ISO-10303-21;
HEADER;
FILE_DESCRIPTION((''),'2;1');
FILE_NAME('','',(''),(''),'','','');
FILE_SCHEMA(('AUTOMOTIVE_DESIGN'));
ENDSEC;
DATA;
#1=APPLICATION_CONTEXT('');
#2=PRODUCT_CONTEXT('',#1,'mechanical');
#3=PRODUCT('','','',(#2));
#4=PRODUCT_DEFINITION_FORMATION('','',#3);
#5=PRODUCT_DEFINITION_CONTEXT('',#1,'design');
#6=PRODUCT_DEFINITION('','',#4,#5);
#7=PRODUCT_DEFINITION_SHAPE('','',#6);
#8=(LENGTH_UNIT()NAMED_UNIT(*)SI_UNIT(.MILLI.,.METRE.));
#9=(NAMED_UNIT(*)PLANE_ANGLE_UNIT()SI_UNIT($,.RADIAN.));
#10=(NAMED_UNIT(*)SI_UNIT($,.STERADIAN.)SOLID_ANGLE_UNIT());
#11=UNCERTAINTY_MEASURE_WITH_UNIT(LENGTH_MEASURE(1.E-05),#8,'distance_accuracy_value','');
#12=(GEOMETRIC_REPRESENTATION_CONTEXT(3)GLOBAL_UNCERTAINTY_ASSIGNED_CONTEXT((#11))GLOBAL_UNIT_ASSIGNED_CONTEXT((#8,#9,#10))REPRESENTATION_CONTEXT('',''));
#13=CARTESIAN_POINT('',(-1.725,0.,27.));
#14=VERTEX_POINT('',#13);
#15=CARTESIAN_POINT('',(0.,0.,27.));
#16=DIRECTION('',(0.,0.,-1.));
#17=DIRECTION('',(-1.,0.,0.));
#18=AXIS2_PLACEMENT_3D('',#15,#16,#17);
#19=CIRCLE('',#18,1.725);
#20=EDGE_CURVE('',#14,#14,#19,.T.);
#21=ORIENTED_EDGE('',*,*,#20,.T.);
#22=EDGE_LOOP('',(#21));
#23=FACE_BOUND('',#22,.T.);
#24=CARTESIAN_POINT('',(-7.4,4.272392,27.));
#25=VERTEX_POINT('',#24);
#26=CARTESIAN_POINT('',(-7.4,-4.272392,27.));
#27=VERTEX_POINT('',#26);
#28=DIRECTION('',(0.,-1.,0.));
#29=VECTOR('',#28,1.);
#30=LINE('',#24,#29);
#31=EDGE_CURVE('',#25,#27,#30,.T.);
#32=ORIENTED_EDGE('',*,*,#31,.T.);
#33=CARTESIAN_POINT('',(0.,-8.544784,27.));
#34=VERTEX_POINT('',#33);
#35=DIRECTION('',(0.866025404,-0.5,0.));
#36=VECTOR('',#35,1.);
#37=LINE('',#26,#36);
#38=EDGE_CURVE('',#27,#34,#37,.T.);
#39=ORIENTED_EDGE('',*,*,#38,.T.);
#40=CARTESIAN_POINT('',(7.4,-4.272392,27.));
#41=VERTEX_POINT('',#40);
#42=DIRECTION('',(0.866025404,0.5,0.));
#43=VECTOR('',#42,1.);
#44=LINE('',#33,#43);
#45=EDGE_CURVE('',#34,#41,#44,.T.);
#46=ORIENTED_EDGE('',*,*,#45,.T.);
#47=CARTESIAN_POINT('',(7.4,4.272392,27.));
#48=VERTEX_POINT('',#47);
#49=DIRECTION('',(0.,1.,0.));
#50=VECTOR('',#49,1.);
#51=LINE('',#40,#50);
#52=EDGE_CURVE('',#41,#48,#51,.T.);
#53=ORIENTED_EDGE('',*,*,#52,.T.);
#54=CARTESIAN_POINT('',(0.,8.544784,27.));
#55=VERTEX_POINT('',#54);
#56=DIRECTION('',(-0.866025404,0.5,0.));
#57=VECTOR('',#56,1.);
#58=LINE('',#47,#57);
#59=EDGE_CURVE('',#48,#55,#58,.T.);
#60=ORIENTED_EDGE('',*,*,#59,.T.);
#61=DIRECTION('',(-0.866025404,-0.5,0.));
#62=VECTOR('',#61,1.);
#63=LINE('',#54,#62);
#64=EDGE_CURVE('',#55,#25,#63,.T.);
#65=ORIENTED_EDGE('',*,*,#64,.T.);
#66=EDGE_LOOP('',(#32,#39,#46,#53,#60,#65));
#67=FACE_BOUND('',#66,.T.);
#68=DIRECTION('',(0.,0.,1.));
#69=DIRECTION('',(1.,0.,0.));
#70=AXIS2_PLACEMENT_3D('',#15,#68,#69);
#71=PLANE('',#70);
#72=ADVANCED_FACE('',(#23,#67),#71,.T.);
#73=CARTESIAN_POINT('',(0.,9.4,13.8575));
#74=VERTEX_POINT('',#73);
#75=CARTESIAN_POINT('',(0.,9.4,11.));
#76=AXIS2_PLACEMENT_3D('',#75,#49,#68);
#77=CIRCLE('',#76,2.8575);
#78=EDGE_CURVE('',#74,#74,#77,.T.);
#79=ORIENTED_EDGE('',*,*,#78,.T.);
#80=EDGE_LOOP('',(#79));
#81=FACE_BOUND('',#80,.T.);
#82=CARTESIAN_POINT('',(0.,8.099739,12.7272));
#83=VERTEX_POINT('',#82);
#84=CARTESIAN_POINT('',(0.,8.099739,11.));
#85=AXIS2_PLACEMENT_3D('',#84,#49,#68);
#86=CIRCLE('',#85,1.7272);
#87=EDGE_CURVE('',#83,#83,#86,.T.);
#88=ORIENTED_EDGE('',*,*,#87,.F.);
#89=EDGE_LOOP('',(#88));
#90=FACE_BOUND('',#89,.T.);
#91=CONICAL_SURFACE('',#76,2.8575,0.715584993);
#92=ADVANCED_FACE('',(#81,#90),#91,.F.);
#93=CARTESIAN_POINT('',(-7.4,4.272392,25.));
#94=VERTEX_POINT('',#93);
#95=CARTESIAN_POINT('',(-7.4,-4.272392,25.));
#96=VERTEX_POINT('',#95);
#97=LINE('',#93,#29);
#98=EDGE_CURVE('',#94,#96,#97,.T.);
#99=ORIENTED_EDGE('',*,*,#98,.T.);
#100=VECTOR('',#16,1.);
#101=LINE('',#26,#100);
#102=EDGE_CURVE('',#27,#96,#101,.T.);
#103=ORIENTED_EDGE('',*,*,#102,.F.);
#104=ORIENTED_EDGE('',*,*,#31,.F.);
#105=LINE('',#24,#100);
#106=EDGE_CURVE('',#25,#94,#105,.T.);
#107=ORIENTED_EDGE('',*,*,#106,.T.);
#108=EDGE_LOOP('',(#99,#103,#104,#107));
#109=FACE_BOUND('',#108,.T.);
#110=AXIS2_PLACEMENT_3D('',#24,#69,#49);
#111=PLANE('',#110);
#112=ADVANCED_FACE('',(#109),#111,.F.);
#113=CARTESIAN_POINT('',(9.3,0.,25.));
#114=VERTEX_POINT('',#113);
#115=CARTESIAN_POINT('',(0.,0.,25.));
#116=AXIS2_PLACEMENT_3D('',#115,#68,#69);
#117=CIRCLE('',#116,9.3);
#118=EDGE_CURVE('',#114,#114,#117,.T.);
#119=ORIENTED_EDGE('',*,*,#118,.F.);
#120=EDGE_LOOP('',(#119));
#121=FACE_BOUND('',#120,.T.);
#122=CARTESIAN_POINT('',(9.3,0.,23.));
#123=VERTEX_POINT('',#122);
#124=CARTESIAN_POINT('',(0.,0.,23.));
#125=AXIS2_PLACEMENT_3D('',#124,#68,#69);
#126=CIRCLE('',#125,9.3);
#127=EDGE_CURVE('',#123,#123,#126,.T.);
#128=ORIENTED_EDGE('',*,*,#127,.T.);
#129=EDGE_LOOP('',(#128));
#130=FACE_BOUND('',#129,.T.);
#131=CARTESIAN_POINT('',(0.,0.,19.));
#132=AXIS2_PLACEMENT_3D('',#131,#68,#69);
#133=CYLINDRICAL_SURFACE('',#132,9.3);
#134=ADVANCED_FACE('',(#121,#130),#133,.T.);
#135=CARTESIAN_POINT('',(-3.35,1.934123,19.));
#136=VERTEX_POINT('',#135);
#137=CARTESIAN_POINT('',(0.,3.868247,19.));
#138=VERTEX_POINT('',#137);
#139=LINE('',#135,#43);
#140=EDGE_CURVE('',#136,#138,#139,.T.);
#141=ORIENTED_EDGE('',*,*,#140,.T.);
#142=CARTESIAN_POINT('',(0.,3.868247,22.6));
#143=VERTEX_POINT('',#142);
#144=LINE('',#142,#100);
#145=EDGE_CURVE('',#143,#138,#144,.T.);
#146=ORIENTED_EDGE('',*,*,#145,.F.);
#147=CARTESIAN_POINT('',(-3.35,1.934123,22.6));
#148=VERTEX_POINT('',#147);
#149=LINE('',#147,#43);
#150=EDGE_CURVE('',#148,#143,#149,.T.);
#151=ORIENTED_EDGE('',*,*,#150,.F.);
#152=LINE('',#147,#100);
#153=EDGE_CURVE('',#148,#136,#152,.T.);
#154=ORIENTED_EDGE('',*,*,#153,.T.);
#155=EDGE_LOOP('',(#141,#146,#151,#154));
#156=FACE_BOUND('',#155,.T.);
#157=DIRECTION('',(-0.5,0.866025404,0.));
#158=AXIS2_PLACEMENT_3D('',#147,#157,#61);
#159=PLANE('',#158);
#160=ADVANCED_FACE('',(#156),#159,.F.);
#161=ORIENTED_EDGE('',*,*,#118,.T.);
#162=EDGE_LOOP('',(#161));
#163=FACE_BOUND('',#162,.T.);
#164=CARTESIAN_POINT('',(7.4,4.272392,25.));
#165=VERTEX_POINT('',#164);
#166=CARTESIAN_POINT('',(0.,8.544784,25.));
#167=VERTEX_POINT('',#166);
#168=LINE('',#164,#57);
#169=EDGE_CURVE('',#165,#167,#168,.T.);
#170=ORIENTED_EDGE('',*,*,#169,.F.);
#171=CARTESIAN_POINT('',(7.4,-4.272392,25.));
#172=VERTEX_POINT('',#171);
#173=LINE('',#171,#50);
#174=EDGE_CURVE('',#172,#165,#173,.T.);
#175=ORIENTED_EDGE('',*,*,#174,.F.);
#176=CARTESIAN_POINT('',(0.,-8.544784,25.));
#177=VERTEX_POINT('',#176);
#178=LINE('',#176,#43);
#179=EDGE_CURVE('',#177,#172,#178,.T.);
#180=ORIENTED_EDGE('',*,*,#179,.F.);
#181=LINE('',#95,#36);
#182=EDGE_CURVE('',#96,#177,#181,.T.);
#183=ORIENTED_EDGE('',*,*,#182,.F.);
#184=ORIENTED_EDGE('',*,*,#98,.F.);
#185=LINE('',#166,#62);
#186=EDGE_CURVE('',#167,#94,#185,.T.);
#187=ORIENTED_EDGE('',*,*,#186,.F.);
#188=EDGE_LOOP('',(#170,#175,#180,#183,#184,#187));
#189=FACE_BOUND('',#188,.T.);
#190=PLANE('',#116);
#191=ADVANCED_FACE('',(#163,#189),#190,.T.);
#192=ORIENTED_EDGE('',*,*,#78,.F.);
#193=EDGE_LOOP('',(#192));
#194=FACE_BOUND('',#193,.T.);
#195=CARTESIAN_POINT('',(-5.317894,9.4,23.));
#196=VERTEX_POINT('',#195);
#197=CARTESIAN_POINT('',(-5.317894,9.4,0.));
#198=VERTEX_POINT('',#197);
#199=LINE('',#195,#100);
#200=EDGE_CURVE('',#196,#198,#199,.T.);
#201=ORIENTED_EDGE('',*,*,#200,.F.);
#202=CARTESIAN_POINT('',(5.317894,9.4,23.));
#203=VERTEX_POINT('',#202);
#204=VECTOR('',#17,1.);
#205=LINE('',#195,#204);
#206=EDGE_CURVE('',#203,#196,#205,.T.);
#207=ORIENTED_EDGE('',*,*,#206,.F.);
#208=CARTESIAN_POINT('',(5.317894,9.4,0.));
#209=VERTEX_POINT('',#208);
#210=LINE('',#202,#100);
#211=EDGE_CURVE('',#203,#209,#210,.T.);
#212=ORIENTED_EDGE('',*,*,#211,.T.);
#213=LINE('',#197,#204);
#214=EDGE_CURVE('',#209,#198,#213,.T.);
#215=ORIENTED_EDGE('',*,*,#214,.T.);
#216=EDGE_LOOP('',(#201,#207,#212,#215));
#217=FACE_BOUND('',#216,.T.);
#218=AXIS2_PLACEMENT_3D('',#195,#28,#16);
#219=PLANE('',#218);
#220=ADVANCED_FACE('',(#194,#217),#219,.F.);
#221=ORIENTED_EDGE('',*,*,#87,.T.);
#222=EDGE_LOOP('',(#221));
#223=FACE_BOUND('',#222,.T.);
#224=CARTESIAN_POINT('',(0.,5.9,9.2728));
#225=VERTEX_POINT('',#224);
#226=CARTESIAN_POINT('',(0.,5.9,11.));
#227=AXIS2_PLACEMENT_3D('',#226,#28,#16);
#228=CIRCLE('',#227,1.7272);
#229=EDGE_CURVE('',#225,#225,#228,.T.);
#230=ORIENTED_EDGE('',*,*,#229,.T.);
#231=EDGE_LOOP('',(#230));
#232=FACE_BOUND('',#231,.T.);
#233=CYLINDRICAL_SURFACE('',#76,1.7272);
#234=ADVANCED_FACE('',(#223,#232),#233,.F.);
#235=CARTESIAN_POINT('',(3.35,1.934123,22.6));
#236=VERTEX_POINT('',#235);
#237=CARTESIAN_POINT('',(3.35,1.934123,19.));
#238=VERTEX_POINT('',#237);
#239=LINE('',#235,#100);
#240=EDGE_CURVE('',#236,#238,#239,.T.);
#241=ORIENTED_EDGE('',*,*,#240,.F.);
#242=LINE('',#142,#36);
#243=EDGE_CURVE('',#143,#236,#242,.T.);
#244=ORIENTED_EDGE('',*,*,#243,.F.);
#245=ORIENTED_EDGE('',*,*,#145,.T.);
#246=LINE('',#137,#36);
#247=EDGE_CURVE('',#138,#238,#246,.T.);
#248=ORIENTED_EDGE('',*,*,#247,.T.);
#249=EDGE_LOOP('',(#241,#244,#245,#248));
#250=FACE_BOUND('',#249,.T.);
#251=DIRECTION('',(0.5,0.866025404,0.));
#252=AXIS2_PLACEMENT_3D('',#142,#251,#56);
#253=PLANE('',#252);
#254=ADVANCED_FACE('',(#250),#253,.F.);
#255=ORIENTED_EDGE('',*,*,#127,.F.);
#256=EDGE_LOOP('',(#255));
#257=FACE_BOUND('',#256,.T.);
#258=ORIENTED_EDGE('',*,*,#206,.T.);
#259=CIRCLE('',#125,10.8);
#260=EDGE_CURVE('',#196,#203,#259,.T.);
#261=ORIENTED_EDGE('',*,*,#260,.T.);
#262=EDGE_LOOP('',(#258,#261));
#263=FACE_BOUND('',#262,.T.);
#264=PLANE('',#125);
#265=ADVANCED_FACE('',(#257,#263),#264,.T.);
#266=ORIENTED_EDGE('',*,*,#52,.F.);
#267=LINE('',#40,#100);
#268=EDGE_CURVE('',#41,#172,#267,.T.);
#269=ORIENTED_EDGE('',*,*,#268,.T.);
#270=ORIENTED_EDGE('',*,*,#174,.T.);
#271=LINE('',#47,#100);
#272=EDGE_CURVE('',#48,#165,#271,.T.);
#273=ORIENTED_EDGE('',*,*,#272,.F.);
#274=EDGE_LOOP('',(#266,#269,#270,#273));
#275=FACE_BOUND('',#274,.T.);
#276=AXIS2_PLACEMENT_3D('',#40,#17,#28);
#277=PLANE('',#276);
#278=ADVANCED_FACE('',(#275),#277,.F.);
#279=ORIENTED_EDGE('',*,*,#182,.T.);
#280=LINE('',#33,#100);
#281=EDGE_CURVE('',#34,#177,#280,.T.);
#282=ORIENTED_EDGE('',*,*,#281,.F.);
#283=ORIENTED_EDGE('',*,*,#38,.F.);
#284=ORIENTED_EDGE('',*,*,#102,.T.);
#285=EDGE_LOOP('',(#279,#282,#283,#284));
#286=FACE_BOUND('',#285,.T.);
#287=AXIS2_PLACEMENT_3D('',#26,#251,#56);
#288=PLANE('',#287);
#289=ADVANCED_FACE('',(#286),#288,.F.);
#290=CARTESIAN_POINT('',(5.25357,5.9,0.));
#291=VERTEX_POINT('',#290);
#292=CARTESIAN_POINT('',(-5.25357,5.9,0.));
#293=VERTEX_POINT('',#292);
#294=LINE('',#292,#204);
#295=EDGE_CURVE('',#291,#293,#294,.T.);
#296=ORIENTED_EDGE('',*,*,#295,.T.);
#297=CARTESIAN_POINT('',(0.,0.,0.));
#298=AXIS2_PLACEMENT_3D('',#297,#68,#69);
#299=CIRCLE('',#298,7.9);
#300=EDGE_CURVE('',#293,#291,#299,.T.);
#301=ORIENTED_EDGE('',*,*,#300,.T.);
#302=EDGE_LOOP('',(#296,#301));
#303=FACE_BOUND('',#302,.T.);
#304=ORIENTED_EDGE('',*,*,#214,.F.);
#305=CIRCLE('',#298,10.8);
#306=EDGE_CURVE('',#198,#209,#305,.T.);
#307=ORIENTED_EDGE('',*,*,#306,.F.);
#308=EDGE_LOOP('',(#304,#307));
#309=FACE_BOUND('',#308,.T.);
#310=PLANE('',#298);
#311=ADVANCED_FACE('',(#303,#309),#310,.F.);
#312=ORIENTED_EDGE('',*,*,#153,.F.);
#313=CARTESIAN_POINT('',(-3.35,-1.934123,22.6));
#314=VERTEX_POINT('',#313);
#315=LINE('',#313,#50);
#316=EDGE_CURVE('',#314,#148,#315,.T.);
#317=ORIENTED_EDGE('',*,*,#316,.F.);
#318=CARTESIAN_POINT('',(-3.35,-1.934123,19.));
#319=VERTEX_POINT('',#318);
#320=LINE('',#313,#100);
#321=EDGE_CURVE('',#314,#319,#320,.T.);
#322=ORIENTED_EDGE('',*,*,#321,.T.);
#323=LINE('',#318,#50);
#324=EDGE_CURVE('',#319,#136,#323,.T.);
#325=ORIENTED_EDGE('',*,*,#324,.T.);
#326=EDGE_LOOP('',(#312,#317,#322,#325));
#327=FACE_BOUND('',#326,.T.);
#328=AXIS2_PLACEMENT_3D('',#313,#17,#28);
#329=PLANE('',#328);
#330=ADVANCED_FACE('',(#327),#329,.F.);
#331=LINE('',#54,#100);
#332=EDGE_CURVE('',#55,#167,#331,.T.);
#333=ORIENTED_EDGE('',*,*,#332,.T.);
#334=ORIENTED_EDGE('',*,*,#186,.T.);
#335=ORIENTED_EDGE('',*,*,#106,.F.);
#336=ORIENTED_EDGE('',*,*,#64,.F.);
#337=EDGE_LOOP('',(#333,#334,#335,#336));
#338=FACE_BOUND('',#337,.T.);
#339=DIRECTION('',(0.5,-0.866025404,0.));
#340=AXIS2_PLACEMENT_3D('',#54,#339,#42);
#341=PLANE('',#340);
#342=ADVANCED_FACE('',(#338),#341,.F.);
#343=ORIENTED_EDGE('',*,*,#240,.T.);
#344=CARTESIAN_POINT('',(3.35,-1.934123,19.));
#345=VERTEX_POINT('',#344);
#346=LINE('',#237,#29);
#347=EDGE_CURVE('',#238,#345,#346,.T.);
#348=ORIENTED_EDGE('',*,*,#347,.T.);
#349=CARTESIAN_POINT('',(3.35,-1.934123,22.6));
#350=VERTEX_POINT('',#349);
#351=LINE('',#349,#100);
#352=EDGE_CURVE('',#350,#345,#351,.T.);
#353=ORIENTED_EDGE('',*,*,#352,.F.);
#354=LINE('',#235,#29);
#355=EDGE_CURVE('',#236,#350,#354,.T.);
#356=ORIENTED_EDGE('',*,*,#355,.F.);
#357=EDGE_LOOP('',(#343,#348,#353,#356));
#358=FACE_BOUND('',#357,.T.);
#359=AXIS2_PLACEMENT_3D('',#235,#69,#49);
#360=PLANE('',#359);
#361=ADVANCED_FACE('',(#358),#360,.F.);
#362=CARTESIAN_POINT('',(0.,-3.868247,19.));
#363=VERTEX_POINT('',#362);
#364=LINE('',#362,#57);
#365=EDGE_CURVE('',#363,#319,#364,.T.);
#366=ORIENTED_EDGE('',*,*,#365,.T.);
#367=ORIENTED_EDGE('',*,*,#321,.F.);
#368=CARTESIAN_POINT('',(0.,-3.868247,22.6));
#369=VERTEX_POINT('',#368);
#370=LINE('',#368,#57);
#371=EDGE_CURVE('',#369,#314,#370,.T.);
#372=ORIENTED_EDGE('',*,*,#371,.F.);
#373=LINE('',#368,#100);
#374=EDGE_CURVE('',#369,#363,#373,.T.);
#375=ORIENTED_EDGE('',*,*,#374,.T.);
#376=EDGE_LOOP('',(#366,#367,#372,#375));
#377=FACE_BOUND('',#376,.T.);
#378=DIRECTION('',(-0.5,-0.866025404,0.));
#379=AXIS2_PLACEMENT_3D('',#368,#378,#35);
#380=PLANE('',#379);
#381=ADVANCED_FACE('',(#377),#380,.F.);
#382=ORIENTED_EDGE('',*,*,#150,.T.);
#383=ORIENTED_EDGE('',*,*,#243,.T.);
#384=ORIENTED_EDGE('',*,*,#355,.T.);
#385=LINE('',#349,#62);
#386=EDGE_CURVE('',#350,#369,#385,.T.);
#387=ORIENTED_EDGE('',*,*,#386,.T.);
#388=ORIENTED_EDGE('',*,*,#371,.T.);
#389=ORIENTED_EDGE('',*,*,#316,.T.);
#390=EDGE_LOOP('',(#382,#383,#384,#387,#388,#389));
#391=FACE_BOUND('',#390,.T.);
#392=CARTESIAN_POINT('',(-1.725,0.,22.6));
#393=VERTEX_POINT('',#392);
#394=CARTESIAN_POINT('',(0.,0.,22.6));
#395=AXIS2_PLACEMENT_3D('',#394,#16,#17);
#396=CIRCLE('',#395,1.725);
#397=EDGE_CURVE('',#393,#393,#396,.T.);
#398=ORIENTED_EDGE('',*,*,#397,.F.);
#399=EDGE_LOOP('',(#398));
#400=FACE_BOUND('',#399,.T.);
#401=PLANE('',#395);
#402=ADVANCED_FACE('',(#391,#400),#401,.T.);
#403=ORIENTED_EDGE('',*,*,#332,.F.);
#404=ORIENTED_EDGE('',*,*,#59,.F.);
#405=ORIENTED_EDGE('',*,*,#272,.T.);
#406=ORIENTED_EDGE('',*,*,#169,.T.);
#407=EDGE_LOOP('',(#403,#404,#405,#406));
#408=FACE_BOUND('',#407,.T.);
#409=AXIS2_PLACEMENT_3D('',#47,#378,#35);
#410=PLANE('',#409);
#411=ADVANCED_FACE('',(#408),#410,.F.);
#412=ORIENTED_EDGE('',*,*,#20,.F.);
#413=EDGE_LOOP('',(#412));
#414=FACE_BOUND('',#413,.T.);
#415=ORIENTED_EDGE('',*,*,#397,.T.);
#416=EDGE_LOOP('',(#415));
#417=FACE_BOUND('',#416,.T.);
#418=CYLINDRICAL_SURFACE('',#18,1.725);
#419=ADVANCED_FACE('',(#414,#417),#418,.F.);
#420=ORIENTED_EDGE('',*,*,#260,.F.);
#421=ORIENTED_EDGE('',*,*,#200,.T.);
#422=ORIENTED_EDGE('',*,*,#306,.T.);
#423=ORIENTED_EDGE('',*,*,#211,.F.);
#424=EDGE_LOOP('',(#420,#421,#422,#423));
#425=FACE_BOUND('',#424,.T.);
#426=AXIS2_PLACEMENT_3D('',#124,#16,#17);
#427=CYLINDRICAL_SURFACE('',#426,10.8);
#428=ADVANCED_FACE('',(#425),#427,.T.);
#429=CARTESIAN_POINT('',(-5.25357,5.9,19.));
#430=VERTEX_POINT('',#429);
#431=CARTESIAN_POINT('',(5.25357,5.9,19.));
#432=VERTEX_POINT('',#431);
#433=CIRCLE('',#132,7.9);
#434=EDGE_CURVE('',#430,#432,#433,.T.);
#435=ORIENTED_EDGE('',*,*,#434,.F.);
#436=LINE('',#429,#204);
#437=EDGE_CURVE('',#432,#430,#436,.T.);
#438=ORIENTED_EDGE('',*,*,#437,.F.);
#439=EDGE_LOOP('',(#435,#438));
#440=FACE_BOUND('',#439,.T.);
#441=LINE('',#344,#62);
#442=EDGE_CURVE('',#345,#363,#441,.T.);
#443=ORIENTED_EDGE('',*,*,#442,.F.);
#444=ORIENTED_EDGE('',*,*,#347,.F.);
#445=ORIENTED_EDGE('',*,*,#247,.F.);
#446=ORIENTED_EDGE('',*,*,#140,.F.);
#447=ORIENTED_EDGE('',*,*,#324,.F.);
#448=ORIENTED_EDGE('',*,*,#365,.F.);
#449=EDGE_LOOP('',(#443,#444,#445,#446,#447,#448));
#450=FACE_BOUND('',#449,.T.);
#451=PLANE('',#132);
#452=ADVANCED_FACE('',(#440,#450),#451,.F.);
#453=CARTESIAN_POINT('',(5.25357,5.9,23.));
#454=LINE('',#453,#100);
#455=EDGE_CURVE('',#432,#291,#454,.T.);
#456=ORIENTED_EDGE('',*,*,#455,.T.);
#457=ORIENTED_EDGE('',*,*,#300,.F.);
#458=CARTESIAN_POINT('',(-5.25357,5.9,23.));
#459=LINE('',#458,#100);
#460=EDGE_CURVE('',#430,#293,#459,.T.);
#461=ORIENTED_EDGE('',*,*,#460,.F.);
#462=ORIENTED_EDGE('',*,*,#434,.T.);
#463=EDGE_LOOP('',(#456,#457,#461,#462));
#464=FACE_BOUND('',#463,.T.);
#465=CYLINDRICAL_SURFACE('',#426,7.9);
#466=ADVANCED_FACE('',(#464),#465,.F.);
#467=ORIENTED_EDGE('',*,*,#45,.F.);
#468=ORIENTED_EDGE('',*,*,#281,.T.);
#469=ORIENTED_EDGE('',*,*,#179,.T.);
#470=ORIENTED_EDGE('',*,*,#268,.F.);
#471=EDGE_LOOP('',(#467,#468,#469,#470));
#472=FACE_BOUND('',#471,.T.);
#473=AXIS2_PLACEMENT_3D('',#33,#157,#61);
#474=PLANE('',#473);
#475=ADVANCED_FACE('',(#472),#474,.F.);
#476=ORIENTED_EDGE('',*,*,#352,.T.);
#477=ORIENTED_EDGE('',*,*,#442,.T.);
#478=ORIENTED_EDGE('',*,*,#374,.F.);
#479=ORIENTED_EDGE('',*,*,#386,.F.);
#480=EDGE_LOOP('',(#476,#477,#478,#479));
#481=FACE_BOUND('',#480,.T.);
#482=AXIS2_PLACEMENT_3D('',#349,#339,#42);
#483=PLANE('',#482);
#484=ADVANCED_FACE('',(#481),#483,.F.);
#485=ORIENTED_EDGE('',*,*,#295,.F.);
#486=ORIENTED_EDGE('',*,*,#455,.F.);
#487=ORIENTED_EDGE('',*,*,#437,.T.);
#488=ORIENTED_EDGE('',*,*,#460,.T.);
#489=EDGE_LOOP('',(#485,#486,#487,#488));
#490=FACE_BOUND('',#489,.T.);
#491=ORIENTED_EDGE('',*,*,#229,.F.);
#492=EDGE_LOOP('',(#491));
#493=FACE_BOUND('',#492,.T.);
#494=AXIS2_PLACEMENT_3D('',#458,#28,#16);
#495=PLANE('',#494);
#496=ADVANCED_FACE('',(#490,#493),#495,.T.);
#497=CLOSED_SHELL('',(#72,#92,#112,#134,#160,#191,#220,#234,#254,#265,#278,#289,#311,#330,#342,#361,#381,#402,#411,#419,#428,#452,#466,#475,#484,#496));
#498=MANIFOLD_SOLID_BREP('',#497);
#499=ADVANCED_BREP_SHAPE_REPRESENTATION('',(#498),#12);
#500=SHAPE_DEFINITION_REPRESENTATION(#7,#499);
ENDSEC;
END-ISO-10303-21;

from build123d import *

# Parameters (mm, degrees)
BOSS_EXTRUDE1_DEPTH                            = 23
CSK_FOR_4_FLAT_HEAD_MACHINE_SCREW1_D           = 3.4544
CSK_FOR_4_FLAT_HEAD_MACHINE_SCREW1_DEPTH       = 3.5
CSK_FOR_4_FLAT_HEAD_MACHINE_SCREW1_CSINK_D     = 5.715
CSK_FOR_4_FLAT_HEAD_MACHINE_SCREW1_CSINK_ANGLE = 82
SKETCH5_R                                      = 9.3
BOSS_EXTRUDE2_DEPTH                            = 2
BOSS_EXTRUDE2_DEPTH_BACK                       = 4
BOSS_EXTRUDE3_DEPTH                            = 2
CUT_EXTRUDE1_DEPTH                             = 3.6
SKETCH8_R                                      = 1.725
CUT_EXTRUDE2_DEPTH                             = 9


with BuildPart() as part:
    # Base → Boss-Extrude1 (new body)
    with BuildSketch(Plane.XY):
        with BuildLine():
            Line((-5.31789432, 9.4), (5.31789432, 9.4))
            ThreePointArc((5.31789432, 9.4), (0, -10.8), (-5.31789432, 9.4))
        make_face()
        with BuildLine():
            Line((-5.253570215, 5.9), (5.253570215, 5.9))
            ThreePointArc((5.253570215, 5.9), (0, -7.9), (-5.253570215, 5.9))
        make_face(mode=Mode.SUBTRACT)
    extrude(amount=BOSS_EXTRUDE1_DEPTH)

    # CSK for #4 Flat Head Machine Screw1
    with Locations(Plane(origin=(0, 9.4, 0), x_dir=(1, 0, 0), z_dir=(0, 1, 0))):
        with Locations((0, -11)):
            CounterSinkHole(CSK_FOR_4_FLAT_HEAD_MACHINE_SCREW1_D / 2, CSK_FOR_4_FLAT_HEAD_MACHINE_SCREW1_CSINK_D / 2, depth=CSK_FOR_4_FLAT_HEAD_MACHINE_SCREW1_DEPTH, counter_sink_angle=CSK_FOR_4_FLAT_HEAD_MACHINE_SCREW1_CSINK_ANGLE)

    # Sketch5 → Boss-Extrude2 (add, two sides)
    with BuildSketch(Plane.XY.offset(23)) as boss_extrude2_sk:
        Circle(SKETCH5_R)
    extrude(amount=BOSS_EXTRUDE2_DEPTH)
    extrude(boss_extrude2_sk.sketch, amount=-BOSS_EXTRUDE2_DEPTH_BACK)

    # Sketch6 → Boss-Extrude3 (add)
    with BuildSketch(Plane.XY.offset(25)):
        Polygon((0, 8.544783984), (-7.4, 4.272391992), (-7.4, -4.272391992), (0, -8.544783984), (7.4, -4.272391992), (7.4, 4.272391992), align=None)
    extrude(amount=BOSS_EXTRUDE3_DEPTH)

    # Sketch7 → Cut-Extrude1 (cut)
    with BuildSketch(Plane(origin=(0, 0, 19), x_dir=(-1, 0, 0), z_dir=(0, 0, -1))):
        Polygon((0, 3.868246804), (-3.35, 1.934123402), (-3.35, -1.934123402), (0, -3.868246804), (3.35, -1.934123402), (3.35, 1.934123402), align=None)
    extrude(amount=-CUT_EXTRUDE1_DEPTH, mode=Mode.SUBTRACT)

    # Sketch8 → Cut-Extrude2 (cut, through all)
    with BuildSketch(Plane(origin=(0, 0, 19), x_dir=(-1, 0, 0), z_dir=(0, 0, -1))):
        Circle(SKETCH8_R)
    extrude(amount=-CUT_EXTRUDE2_DEPTH, mode=Mode.SUBTRACT)


solid = part.part
